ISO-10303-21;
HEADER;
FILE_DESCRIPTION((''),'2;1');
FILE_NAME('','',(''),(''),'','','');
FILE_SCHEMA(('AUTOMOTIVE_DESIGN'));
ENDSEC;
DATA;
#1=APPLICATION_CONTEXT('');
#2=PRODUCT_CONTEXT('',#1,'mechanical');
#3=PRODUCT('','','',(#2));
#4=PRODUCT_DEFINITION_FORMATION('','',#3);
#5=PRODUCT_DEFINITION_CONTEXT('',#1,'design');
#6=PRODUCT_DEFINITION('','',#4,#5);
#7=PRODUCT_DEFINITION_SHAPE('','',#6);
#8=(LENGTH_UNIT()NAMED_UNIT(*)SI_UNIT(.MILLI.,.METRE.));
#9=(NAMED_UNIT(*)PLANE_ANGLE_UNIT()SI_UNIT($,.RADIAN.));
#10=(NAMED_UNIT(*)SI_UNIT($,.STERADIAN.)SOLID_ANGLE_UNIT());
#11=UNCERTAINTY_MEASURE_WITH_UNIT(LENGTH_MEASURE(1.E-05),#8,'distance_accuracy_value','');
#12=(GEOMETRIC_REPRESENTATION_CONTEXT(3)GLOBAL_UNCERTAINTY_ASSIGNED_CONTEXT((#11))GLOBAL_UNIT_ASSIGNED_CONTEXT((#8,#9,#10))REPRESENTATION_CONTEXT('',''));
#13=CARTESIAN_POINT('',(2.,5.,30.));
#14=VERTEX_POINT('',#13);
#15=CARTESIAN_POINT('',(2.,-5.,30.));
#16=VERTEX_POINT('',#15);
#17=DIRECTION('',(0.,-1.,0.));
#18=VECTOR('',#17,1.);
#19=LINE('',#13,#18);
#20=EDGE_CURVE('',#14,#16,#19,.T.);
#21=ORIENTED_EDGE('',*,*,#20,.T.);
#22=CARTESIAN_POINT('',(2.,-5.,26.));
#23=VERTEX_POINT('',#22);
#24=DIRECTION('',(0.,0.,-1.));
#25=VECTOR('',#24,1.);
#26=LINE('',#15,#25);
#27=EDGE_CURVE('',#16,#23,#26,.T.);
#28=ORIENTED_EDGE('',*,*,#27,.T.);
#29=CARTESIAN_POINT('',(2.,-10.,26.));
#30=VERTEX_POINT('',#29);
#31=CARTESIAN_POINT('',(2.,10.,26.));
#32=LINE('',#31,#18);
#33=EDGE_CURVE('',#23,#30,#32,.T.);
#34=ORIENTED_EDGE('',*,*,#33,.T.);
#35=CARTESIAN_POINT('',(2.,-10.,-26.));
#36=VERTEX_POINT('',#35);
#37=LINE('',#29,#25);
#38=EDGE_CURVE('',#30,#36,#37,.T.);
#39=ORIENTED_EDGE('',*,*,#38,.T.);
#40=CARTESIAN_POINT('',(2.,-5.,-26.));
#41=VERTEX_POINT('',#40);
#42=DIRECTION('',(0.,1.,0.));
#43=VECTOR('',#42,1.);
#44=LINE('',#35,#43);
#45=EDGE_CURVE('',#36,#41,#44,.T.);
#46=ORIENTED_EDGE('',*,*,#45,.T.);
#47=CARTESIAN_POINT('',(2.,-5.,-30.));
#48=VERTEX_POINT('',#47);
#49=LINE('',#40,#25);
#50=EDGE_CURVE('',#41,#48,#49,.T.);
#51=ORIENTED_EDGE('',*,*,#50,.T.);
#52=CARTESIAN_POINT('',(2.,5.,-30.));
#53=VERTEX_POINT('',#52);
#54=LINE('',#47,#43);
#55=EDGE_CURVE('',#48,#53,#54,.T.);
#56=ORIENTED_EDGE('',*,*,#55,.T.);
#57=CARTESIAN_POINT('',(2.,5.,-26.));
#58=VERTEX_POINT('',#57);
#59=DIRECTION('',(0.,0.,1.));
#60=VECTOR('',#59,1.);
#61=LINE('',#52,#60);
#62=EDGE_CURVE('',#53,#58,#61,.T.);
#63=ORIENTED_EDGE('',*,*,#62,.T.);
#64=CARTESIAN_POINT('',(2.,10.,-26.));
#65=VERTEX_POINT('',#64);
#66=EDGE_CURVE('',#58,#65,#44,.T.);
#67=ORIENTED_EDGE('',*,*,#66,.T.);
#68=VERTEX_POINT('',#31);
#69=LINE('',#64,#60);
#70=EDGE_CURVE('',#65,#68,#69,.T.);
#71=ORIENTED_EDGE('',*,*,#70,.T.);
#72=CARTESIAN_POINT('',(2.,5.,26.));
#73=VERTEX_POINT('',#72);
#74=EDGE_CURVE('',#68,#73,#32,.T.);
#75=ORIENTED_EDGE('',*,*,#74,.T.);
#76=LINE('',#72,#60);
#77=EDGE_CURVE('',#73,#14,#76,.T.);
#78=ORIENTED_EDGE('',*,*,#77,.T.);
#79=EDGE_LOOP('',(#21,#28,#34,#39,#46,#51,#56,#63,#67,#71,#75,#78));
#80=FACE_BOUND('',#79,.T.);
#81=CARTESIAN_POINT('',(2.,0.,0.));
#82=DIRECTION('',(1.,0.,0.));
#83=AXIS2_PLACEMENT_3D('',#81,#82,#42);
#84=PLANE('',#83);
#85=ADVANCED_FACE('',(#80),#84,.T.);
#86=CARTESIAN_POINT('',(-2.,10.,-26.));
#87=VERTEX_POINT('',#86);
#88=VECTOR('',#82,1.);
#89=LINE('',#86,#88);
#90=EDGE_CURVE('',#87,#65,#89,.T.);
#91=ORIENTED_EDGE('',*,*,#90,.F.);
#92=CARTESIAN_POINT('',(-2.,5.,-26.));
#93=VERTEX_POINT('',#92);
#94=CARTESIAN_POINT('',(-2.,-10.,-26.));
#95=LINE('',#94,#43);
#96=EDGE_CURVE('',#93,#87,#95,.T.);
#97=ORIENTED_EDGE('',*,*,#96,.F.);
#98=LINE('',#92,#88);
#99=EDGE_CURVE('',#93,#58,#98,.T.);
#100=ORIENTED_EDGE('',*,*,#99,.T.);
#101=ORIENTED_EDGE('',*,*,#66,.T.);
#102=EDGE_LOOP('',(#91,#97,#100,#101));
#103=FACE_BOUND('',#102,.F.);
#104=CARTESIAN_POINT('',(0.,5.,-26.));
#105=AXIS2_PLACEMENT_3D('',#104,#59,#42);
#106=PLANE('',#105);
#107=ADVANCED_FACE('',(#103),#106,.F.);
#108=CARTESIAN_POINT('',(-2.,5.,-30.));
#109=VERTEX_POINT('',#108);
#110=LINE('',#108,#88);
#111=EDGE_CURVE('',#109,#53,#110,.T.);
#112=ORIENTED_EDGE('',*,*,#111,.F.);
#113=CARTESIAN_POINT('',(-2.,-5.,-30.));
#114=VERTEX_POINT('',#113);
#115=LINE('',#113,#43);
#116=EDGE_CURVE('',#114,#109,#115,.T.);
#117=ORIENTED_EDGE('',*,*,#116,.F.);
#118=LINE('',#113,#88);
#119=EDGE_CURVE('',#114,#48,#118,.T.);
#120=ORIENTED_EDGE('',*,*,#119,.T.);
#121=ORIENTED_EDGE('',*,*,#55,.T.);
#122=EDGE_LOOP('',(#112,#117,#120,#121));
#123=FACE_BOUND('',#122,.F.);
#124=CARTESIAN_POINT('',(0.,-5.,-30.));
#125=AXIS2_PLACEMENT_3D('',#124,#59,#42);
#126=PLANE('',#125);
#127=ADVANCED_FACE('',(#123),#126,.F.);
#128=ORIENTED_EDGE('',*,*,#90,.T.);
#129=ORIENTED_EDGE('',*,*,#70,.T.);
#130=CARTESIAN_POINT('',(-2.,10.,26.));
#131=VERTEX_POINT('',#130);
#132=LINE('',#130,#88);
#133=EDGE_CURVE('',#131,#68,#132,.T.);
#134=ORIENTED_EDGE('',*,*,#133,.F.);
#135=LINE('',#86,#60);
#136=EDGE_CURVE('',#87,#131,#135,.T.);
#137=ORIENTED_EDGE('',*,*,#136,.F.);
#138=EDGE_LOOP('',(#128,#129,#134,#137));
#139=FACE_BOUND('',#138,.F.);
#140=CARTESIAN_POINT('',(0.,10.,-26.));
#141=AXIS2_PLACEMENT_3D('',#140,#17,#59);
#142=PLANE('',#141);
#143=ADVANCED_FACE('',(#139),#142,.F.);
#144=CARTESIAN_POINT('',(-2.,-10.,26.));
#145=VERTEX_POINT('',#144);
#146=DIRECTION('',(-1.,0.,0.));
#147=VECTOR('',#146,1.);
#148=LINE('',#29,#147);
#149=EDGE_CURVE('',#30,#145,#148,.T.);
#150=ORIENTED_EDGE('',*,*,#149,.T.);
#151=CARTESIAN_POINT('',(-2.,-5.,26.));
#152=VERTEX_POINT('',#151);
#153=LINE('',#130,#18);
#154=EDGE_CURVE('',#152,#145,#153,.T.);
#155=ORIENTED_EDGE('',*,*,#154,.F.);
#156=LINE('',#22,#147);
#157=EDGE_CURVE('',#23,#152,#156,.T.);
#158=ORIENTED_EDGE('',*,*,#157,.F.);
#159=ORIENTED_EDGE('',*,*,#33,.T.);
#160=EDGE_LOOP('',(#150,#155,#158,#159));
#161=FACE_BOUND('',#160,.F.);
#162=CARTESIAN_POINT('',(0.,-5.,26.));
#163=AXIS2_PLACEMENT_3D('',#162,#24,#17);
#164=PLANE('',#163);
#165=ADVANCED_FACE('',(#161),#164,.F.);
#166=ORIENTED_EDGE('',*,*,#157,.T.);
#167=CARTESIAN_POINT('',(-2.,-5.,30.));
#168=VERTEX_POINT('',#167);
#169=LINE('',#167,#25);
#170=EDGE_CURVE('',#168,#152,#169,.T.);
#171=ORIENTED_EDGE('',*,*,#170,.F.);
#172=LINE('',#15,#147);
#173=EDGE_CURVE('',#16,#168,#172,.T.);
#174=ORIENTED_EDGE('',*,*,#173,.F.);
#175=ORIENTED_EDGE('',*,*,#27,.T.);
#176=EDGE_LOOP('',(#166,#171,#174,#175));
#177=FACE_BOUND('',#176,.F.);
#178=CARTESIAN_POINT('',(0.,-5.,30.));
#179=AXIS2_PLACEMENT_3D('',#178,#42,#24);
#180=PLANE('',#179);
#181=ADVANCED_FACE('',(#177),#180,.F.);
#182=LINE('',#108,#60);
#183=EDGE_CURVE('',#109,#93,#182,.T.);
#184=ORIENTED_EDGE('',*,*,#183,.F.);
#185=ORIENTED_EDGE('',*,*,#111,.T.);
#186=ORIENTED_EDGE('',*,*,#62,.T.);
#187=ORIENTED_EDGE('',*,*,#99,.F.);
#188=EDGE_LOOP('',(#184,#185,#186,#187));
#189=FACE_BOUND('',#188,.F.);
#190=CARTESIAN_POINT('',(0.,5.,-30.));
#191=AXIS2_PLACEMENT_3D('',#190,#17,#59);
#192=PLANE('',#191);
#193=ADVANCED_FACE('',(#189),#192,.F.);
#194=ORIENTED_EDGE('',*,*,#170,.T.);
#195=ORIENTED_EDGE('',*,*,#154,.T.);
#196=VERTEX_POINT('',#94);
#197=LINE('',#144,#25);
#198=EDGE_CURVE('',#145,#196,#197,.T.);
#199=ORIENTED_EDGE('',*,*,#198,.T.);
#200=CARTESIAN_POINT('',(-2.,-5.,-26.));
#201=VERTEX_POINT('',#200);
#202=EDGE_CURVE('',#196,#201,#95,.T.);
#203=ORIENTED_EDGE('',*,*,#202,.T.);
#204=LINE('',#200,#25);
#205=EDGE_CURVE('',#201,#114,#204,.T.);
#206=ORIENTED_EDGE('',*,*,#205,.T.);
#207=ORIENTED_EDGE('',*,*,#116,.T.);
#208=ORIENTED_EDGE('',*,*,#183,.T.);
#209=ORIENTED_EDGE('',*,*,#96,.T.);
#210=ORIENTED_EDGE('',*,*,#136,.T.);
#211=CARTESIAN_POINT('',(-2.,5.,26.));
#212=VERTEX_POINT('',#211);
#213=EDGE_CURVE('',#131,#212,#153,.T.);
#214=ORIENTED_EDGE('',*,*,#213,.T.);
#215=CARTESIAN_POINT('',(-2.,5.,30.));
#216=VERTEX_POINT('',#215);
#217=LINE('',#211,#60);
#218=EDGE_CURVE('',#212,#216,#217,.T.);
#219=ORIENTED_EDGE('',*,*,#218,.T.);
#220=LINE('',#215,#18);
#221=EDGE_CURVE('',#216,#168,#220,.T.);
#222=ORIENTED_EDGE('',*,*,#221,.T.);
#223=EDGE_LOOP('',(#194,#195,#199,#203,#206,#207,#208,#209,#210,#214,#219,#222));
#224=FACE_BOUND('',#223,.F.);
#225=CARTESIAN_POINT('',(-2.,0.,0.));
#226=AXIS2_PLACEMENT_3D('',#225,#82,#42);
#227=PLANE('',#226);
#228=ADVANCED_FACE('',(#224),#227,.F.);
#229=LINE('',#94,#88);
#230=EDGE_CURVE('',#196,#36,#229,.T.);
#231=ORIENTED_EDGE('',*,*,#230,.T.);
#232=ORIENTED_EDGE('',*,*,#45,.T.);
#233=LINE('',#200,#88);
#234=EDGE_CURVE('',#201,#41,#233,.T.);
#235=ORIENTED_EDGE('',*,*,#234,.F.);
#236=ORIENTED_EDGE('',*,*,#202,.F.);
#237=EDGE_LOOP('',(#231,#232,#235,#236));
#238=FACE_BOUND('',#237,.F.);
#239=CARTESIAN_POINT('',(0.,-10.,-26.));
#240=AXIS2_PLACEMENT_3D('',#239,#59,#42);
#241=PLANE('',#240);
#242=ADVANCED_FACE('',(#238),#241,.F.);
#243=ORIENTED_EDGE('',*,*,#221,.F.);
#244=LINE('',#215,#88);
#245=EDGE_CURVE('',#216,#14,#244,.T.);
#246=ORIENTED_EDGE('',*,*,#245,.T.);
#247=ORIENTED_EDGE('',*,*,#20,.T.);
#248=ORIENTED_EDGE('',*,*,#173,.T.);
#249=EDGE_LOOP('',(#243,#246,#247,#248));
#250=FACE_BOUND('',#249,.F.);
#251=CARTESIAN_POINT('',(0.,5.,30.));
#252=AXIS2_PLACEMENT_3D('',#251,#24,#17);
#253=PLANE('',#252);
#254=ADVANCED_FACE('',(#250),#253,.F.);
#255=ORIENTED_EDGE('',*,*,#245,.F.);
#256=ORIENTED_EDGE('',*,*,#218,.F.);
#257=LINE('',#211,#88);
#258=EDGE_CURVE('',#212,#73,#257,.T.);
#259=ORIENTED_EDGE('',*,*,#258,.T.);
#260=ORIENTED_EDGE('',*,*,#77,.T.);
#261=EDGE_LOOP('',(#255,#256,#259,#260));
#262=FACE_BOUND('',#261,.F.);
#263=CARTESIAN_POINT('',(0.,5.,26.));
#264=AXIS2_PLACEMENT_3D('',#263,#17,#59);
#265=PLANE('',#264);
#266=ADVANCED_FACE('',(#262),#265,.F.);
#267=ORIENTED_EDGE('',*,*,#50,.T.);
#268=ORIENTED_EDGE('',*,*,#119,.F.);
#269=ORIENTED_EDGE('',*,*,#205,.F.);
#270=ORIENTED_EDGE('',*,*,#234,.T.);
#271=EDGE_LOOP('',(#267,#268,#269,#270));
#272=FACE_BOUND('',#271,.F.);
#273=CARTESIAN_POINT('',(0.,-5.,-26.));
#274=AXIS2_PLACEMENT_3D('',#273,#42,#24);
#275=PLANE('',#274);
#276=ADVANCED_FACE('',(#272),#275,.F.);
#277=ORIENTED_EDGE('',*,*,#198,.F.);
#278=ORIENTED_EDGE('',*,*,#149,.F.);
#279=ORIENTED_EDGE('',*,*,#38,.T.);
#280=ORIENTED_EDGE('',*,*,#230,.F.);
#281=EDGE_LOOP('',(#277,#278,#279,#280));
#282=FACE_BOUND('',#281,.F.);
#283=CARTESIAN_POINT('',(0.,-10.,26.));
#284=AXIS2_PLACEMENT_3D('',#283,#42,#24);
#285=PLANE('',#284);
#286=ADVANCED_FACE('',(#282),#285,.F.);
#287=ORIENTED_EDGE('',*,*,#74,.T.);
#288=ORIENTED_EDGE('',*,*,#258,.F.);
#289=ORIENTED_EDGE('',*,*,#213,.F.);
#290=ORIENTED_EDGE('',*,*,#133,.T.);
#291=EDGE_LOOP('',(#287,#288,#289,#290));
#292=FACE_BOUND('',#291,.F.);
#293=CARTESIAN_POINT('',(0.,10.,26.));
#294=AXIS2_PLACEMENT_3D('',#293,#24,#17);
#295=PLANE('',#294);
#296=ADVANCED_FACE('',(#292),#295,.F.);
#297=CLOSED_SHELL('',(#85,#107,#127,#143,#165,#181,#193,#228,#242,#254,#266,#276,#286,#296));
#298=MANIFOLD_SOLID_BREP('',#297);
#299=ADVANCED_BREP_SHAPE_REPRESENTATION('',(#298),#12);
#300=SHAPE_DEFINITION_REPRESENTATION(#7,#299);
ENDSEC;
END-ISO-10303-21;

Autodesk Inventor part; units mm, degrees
ref_plane "YZ Plane" through (0, 0, 0) normal (1, 0, 0) x (0, 1, 0)
ref_plane "XZ Plane" through (0, 0, 0) normal (0, 1, 0) x (-1, 0, 0)
ref_plane "XY Plane" through (0, 0, 0) normal (0, 0, 1) x (1, 0, 0)
sketch "Эскиз1" plane through (0, 0, 0) normal (1, 0, 0) x (0, 1, 0)
  line L0 (0, -42) -> (0, 42) construction
  line L1 (-10, -26) -> (10, -26)
  line L2 (10, -26) -> (10, 26)
  line L3 (10, 26) -> (-10, 26)
  line L4 (-10, 26) -> (-10, -26)
  line L5 (-10, -26) -> (10, 26) construction
  line L6 (10, -26) -> (-10, 26) construction
  line L7 (5, 30) -> (-5, 30)
  line L8 (-5, 30) -> (-5, 26)
  line L9 (-5, 26) -> (5, 26)
  line L10 (5, 26) -> (5, 30)
  line L11 (5, -26) -> (-5, -26)
  line L12 (-5, -26) -> (-5, -30)
  line L13 (-5, -30) -> (5, -30)
  line L14 (5, -30) -> (5, -26)
  point P0 (0, 0)
  dimension "d3" = 20
  dimension "d4" = 60
  dimension "d5" = 4
  dimension "d6" = 10
extrude "Выдавливание1" add sketch "Эскиз1" along normal mid plane 4
properties part number "Кусочек барабана"
